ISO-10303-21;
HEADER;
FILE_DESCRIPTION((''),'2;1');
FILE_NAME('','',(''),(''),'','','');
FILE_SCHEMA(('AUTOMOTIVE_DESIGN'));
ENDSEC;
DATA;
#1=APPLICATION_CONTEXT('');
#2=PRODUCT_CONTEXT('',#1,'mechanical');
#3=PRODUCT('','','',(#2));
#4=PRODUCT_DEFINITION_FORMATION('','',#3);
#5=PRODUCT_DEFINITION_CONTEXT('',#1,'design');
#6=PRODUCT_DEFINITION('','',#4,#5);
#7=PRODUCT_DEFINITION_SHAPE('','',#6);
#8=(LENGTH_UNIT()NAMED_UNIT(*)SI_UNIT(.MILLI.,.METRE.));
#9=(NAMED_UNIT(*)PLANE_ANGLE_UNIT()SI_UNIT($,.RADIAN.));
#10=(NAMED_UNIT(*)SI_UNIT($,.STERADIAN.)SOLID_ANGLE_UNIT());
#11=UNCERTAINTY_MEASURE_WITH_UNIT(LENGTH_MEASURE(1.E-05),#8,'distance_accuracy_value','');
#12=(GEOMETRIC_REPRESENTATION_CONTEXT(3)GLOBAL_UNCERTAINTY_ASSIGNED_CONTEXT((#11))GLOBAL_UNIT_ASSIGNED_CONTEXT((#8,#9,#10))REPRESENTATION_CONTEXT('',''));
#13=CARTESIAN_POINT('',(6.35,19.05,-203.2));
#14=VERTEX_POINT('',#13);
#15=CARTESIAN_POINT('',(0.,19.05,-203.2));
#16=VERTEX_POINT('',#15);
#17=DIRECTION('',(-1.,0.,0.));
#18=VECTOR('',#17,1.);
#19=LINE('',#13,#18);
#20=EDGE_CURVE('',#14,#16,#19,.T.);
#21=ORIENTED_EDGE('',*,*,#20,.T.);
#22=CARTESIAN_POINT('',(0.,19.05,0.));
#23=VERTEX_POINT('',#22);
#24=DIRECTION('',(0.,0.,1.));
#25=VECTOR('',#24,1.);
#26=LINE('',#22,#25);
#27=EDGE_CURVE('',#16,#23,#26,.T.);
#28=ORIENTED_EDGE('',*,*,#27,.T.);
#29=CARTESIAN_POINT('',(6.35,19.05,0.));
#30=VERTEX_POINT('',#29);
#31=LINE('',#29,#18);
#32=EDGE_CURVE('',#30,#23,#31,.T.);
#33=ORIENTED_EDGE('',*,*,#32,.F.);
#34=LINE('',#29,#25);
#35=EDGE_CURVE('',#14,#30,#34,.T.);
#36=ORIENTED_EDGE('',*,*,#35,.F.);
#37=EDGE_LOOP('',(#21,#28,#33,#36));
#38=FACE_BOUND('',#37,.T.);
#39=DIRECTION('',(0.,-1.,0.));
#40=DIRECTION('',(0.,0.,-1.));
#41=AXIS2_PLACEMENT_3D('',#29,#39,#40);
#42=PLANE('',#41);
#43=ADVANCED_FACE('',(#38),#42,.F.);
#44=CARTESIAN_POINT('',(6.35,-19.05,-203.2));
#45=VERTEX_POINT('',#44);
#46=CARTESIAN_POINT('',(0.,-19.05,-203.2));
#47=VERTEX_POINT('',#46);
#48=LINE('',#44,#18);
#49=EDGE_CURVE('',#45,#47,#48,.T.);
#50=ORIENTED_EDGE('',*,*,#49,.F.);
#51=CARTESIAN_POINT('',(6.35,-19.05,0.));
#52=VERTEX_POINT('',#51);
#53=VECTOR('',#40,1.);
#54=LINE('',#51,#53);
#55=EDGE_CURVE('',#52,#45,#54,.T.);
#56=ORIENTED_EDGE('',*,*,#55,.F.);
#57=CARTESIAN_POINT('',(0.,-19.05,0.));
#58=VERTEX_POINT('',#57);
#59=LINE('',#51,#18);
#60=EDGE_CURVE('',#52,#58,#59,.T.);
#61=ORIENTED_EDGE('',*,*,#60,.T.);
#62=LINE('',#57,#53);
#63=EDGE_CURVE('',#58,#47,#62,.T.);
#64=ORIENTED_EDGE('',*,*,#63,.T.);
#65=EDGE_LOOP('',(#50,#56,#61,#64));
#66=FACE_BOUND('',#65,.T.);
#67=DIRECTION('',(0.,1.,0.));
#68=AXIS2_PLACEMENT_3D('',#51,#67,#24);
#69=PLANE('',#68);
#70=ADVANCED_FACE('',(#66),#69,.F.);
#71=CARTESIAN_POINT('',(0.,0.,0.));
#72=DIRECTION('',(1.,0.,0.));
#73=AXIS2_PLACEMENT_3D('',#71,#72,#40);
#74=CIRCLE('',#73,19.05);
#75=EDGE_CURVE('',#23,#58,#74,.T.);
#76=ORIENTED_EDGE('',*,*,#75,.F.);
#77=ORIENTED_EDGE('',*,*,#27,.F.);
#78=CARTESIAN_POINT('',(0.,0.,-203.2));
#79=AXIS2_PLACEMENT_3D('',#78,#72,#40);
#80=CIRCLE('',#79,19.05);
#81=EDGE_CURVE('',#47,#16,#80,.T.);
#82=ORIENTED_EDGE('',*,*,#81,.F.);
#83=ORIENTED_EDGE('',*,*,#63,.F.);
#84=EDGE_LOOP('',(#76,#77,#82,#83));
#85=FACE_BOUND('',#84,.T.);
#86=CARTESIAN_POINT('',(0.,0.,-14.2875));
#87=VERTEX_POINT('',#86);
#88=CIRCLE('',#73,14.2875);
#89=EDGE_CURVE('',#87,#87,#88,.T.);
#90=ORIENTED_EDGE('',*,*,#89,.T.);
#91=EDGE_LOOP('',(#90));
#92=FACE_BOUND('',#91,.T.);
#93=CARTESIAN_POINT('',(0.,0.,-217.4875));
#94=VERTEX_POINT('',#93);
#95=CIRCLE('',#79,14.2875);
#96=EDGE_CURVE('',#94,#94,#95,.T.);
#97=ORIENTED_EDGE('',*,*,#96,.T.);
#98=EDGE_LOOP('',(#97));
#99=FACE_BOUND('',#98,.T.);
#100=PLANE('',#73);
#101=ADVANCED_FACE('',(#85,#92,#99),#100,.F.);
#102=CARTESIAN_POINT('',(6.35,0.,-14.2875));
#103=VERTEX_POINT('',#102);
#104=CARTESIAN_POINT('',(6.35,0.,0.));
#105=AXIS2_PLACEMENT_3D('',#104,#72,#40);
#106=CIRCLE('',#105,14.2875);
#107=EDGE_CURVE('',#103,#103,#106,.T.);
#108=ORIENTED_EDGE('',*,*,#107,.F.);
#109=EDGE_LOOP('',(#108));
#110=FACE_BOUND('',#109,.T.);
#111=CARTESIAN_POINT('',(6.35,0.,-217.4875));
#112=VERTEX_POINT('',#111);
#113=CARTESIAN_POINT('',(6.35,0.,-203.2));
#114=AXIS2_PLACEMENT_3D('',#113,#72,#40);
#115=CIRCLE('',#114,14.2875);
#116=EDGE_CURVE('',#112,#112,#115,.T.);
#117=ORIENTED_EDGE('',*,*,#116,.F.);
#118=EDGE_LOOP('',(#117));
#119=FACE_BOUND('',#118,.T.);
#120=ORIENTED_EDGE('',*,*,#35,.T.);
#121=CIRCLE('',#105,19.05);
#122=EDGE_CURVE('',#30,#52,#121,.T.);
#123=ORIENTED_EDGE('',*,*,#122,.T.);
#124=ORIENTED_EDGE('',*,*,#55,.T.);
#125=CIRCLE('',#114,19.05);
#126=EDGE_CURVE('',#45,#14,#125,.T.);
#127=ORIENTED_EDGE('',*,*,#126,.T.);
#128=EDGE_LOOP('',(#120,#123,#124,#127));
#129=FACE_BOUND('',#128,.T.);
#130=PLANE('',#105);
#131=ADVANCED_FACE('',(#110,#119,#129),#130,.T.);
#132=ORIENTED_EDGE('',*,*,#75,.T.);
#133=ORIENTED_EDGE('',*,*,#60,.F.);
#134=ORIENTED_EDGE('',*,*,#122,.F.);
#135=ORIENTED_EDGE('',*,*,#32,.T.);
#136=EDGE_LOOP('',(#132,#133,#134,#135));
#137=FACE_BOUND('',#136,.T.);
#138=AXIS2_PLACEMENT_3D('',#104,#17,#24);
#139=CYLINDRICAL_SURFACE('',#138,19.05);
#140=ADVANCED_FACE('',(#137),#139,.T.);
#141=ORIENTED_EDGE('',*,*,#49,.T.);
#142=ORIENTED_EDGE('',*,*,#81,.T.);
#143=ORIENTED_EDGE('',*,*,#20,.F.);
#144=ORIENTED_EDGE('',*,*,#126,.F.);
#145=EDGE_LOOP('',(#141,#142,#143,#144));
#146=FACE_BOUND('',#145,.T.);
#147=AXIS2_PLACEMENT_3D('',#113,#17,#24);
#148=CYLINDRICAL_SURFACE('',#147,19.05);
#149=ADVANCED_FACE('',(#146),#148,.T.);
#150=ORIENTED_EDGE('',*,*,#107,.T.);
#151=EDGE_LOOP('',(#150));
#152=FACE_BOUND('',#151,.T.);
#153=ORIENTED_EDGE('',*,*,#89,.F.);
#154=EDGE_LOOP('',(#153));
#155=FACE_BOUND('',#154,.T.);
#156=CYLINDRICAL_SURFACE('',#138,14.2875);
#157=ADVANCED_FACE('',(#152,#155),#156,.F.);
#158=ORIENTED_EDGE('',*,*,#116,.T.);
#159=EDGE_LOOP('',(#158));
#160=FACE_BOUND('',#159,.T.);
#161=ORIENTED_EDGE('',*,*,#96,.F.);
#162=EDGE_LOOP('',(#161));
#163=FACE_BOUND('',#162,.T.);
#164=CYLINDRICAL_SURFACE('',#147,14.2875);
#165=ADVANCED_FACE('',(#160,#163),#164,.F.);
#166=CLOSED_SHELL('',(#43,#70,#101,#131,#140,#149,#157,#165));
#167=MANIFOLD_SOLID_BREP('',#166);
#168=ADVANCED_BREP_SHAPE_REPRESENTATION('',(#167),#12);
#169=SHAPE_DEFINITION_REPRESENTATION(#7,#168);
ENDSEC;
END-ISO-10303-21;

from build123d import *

# Parameters (mm, degrees)
SKETCH1_R           = 14.2875
BOSS_EXTRUDE1_DEPTH = 6.35


with BuildPart() as part:
    # Sketch1 → Boss-Extrude1 (new body)
    with BuildSketch(Plane(origin=(0, 0, 0), x_dir=(0, 0, -1), z_dir=(1, 0, 0))):
        with BuildLine():
            Line((0, 19.05), (203.2, 19.05))
            ThreePointArc((203.2, 19.05), (222.25, 0), (203.2, -19.05))
            Line((203.2, -19.05), (0, -19.05))
            ThreePointArc((0, -19.05), (-19.05, 0), (0, 19.05))
        make_face()
        Circle(SKETCH1_R, mode=Mode.SUBTRACT)
        with Locations((203.2, 0)):
            Circle(SKETCH1_R, mode=Mode.SUBTRACT)
    extrude(amount=BOSS_EXTRUDE1_DEPTH)


solid = part.part
